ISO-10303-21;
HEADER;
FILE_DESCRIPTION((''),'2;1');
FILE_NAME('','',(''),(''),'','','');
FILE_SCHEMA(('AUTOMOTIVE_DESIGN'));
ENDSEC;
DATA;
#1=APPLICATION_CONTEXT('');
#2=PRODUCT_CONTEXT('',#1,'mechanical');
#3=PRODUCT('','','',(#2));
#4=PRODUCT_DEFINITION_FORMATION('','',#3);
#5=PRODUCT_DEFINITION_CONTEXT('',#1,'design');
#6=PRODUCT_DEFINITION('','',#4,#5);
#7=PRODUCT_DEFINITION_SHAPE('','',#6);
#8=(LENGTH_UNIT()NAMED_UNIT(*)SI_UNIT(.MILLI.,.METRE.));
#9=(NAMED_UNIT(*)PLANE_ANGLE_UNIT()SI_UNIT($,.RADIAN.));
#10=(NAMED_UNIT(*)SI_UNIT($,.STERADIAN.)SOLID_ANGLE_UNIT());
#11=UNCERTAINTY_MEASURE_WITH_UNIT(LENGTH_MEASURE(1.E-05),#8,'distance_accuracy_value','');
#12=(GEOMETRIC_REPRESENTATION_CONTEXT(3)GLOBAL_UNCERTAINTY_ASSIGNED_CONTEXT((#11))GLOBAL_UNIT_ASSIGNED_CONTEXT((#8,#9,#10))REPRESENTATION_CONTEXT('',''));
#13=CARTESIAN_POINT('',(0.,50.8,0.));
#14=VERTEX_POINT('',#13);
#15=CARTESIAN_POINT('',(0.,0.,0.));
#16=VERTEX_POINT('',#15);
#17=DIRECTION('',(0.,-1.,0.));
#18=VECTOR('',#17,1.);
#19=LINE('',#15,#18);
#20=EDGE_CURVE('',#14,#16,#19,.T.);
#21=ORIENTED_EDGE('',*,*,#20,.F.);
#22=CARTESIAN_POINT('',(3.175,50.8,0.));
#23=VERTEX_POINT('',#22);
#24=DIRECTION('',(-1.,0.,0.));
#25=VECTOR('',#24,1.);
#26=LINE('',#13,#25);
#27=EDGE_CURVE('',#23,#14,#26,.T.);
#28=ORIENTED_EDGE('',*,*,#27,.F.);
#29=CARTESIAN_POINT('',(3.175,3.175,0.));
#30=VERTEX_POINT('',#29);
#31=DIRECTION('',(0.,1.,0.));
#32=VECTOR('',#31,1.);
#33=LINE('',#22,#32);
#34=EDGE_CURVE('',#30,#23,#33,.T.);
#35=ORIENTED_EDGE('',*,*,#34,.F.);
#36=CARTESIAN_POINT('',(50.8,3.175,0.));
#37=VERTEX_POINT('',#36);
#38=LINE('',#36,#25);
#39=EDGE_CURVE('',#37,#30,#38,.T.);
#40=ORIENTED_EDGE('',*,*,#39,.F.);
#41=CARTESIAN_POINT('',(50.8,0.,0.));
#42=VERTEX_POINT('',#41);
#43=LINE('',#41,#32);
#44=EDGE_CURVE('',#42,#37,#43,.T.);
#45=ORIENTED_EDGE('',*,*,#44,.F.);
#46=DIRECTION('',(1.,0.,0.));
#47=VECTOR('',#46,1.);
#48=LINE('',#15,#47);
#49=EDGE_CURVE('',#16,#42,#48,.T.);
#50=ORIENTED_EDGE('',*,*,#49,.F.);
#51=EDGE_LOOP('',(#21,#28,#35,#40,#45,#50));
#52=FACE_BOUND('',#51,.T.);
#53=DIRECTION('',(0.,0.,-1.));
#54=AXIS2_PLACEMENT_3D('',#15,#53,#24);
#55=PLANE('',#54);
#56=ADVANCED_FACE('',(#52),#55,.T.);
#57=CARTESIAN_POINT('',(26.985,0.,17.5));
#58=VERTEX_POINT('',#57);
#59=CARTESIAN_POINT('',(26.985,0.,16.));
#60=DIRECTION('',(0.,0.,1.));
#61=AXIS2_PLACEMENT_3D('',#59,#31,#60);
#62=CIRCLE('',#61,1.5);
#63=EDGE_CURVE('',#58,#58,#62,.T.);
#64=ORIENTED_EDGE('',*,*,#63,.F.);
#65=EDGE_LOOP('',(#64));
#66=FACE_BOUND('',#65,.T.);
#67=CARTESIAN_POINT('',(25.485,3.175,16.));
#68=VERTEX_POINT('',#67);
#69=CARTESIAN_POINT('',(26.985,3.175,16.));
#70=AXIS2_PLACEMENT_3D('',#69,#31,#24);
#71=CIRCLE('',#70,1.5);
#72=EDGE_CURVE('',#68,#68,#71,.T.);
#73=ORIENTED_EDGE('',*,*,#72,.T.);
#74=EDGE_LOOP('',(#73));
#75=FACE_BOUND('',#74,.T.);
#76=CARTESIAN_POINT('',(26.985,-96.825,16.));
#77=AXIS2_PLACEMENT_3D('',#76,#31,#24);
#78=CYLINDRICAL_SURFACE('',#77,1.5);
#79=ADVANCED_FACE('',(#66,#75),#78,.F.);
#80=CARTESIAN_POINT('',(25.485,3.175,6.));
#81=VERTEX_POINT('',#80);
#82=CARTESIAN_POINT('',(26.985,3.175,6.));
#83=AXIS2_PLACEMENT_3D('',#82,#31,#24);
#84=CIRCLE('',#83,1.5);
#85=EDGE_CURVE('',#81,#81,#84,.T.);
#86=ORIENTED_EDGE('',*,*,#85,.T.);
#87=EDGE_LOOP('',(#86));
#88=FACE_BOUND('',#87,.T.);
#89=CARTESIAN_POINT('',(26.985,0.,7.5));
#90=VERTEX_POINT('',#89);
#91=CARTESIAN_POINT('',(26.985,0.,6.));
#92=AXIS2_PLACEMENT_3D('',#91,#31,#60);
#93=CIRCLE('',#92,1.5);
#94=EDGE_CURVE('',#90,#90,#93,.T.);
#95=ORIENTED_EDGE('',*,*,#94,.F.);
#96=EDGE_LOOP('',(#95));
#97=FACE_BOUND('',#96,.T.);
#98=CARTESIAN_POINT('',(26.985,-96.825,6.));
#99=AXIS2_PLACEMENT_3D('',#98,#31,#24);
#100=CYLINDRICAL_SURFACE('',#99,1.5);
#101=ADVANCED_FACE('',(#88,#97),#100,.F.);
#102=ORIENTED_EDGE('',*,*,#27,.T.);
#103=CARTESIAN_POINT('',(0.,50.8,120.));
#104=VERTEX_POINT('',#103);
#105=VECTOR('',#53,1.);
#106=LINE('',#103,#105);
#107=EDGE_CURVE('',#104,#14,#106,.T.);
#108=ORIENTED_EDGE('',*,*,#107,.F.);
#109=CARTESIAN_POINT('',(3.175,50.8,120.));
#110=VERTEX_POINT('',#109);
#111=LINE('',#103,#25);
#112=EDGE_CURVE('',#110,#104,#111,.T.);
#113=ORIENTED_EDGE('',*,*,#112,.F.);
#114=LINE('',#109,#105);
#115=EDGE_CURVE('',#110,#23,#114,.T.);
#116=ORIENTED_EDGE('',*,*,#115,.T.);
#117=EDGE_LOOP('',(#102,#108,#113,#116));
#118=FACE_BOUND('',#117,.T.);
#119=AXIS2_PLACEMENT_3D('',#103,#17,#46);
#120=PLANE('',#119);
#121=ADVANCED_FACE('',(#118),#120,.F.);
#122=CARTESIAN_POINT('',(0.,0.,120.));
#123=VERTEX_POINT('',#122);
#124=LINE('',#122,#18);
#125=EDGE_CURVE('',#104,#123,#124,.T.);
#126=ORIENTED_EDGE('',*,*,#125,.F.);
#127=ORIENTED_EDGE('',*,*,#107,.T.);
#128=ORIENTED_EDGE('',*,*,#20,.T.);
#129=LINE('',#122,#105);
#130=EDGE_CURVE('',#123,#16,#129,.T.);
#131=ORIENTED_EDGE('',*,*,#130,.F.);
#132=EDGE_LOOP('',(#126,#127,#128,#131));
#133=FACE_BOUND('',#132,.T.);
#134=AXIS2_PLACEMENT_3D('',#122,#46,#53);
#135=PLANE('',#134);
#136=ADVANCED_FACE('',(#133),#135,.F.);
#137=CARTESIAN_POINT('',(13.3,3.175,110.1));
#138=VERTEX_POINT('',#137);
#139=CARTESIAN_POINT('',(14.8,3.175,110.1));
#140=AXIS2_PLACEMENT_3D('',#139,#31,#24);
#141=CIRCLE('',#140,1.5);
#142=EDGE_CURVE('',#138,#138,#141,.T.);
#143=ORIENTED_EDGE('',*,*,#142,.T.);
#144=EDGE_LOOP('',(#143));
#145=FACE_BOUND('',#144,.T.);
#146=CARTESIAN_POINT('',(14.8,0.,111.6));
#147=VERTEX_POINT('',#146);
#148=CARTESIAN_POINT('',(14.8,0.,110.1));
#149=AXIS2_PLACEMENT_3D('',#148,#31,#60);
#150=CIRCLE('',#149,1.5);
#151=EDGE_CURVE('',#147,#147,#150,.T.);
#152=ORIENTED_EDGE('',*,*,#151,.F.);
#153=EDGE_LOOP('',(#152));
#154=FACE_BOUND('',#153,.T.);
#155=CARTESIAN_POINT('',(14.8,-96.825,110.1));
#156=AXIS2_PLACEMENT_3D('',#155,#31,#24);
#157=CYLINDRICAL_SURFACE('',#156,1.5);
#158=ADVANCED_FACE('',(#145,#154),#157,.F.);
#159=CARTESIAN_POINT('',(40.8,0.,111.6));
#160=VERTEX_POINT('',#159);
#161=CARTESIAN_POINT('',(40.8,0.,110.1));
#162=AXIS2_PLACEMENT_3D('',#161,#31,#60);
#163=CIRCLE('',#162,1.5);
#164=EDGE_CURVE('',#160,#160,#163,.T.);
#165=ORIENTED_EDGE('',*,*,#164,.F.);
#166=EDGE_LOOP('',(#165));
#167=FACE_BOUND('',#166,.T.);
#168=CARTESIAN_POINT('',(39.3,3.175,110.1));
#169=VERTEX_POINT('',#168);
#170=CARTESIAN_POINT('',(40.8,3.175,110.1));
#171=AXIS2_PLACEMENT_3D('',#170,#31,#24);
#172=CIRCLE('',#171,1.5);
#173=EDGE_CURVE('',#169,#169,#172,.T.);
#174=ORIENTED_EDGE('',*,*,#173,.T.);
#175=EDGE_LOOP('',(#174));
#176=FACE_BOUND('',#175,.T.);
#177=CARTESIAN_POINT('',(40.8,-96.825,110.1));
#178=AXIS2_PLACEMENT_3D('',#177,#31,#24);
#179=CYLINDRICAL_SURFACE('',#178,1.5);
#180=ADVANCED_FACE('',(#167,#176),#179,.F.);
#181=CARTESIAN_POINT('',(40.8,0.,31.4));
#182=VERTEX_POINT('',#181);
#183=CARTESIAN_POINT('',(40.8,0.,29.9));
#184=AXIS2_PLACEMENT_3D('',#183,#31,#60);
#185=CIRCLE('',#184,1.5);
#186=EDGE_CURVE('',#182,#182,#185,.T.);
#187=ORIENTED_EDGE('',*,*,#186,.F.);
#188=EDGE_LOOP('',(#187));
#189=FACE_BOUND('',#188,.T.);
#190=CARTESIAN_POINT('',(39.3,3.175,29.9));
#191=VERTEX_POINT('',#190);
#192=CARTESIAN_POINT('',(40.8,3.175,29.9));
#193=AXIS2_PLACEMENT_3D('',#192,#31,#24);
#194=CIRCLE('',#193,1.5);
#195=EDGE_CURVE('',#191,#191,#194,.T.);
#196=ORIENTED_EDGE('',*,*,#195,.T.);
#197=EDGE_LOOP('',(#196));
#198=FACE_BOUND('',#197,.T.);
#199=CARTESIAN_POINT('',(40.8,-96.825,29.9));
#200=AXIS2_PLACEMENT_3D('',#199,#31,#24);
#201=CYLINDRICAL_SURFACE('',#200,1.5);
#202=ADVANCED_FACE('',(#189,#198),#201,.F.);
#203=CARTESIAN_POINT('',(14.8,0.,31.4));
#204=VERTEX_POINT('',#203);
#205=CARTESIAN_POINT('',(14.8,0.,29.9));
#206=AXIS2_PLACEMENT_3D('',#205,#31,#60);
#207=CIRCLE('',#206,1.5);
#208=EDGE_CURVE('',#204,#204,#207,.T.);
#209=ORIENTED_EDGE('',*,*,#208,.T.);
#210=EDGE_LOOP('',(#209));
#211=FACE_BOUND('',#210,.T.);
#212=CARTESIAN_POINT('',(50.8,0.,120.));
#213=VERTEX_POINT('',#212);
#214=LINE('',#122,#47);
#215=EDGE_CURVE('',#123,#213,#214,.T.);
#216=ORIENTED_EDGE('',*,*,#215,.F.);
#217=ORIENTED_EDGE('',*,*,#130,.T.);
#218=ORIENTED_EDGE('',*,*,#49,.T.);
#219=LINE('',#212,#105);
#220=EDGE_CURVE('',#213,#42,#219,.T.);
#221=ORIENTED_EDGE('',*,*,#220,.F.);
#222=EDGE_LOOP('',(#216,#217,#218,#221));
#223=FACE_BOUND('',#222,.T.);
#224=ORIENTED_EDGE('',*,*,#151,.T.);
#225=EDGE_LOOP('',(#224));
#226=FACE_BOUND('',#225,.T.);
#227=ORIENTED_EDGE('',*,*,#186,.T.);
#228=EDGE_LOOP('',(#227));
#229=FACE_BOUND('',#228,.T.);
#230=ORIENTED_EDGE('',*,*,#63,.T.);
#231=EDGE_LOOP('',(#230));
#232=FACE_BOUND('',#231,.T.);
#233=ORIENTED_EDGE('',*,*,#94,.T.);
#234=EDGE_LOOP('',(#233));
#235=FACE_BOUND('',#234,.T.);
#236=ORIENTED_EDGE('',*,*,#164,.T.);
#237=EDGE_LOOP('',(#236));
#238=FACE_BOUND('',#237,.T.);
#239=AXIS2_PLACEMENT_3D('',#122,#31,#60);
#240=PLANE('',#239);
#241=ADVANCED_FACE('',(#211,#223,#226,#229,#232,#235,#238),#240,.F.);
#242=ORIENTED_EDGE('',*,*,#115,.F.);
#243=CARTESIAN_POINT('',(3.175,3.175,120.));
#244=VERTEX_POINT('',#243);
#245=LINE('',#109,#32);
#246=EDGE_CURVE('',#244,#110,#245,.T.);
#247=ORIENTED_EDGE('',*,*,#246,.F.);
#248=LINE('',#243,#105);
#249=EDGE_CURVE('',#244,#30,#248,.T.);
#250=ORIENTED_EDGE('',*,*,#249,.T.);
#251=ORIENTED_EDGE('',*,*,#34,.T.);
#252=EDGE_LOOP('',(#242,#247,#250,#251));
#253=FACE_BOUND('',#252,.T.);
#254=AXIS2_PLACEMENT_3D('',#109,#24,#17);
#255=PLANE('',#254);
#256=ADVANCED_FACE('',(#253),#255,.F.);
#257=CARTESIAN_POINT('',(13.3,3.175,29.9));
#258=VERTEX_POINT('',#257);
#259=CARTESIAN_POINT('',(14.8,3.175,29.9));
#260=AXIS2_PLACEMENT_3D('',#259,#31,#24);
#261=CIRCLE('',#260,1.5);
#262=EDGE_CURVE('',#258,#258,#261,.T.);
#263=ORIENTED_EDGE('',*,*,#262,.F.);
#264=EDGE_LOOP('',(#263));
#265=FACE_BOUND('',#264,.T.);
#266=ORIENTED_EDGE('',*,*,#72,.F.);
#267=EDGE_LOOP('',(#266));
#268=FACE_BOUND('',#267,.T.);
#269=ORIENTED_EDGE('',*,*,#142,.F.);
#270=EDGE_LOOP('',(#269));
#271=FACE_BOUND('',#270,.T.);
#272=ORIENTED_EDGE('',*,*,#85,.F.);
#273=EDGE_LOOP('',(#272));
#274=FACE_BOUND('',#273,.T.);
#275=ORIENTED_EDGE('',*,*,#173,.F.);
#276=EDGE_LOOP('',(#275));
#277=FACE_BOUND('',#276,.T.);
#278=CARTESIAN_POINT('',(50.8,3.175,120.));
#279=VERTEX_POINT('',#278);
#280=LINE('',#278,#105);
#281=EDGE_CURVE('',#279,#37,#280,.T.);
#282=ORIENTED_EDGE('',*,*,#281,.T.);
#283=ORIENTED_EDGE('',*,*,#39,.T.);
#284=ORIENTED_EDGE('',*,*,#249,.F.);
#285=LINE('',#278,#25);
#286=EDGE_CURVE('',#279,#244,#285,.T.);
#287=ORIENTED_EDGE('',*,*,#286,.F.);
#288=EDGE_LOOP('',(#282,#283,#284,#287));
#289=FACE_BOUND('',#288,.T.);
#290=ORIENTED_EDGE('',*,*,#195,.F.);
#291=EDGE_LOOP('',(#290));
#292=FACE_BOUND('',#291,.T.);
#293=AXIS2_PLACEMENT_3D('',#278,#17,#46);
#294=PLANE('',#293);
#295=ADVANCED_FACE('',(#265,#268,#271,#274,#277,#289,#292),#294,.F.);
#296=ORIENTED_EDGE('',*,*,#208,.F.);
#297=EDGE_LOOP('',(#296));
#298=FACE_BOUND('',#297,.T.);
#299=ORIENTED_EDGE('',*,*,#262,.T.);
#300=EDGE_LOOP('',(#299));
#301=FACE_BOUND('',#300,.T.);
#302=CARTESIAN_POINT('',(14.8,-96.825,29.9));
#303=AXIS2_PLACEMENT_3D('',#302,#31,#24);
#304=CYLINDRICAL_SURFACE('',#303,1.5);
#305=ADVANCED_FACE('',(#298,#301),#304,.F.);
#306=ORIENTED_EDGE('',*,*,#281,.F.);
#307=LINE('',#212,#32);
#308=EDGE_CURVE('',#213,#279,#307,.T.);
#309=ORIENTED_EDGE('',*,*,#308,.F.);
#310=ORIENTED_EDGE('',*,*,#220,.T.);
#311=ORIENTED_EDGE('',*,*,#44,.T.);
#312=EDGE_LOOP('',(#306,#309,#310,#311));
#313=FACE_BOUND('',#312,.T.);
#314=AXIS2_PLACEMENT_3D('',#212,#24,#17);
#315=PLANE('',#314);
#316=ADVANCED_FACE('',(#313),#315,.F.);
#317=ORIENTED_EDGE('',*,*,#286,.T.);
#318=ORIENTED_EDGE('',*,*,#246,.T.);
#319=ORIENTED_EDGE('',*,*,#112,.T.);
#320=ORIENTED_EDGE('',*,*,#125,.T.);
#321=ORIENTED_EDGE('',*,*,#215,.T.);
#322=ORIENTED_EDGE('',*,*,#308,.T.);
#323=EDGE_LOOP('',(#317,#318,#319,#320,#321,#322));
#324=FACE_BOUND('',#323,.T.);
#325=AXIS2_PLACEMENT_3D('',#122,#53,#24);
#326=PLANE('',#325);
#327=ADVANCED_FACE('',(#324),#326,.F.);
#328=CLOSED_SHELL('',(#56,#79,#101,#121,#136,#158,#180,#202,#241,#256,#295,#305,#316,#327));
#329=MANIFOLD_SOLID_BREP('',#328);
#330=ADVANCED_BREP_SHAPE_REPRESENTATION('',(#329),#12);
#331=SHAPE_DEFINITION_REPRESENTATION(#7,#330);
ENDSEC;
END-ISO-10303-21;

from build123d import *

# Parameters (mm, degrees)
SALIENTE_EXTRUIR1_DEPTH = 120
CROQUIS2_R              = 1.5
CORTAR_EXTRUIR1_DEPTH   = 100
CROQUIS3_R              = 1.5
CORTAR_EXTRUIR2_DEPTH   = 100


with BuildPart() as part:
    # Croquis1 → Saliente-Extruir1 (new body)
    with BuildSketch(Plane.XY):
        Polygon((0, 0), (50.8, 0), (50.8, 3.175), (3.175, 3.175), (3.175, 50.8), (0, 50.8), align=None)
    extrude(amount=SALIENTE_EXTRUIR1_DEPTH)

    # Croquis2 → Cortar-Extruir1 (cut)
    with BuildSketch(Plane(origin=(0, 3.175, 0), x_dir=(1, 0, 0), z_dir=(0, 1, 0))):
        with Locations(Location((40.8, -29.9, 0), (0, 0, 180))):
            Circle(CROQUIS2_R)
        with Locations(Location((14.8, -29.9, 0), (0, 0, 180))):
            Circle(CROQUIS2_R)
        with Locations(Location((40.8, -110.1, 0), (0, 0, 180))):
            Circle(CROQUIS2_R)
        with Locations(Location((14.8, -110.1, 0), (0, 0, 180))):
            Circle(CROQUIS2_R)
    extrude(amount=-CORTAR_EXTRUIR1_DEPTH, mode=Mode.SUBTRACT)

    # Croquis3 → Cortar-Extruir2 (cut)
    with BuildSketch(Plane(origin=(0, 3.175, 0), x_dir=(1, 0, 0), z_dir=(0, 1, 0))):
        with Locations(Location((26.985, -6, 0), (0, 0, 180))):
            Circle(CROQUIS3_R)
        with Locations(Location((26.985, -16, 0), (0, 0, 180))):
            Circle(CROQUIS3_R)
    extrude(amount=-CORTAR_EXTRUIR2_DEPTH, mode=Mode.SUBTRACT)


solid = part.part
